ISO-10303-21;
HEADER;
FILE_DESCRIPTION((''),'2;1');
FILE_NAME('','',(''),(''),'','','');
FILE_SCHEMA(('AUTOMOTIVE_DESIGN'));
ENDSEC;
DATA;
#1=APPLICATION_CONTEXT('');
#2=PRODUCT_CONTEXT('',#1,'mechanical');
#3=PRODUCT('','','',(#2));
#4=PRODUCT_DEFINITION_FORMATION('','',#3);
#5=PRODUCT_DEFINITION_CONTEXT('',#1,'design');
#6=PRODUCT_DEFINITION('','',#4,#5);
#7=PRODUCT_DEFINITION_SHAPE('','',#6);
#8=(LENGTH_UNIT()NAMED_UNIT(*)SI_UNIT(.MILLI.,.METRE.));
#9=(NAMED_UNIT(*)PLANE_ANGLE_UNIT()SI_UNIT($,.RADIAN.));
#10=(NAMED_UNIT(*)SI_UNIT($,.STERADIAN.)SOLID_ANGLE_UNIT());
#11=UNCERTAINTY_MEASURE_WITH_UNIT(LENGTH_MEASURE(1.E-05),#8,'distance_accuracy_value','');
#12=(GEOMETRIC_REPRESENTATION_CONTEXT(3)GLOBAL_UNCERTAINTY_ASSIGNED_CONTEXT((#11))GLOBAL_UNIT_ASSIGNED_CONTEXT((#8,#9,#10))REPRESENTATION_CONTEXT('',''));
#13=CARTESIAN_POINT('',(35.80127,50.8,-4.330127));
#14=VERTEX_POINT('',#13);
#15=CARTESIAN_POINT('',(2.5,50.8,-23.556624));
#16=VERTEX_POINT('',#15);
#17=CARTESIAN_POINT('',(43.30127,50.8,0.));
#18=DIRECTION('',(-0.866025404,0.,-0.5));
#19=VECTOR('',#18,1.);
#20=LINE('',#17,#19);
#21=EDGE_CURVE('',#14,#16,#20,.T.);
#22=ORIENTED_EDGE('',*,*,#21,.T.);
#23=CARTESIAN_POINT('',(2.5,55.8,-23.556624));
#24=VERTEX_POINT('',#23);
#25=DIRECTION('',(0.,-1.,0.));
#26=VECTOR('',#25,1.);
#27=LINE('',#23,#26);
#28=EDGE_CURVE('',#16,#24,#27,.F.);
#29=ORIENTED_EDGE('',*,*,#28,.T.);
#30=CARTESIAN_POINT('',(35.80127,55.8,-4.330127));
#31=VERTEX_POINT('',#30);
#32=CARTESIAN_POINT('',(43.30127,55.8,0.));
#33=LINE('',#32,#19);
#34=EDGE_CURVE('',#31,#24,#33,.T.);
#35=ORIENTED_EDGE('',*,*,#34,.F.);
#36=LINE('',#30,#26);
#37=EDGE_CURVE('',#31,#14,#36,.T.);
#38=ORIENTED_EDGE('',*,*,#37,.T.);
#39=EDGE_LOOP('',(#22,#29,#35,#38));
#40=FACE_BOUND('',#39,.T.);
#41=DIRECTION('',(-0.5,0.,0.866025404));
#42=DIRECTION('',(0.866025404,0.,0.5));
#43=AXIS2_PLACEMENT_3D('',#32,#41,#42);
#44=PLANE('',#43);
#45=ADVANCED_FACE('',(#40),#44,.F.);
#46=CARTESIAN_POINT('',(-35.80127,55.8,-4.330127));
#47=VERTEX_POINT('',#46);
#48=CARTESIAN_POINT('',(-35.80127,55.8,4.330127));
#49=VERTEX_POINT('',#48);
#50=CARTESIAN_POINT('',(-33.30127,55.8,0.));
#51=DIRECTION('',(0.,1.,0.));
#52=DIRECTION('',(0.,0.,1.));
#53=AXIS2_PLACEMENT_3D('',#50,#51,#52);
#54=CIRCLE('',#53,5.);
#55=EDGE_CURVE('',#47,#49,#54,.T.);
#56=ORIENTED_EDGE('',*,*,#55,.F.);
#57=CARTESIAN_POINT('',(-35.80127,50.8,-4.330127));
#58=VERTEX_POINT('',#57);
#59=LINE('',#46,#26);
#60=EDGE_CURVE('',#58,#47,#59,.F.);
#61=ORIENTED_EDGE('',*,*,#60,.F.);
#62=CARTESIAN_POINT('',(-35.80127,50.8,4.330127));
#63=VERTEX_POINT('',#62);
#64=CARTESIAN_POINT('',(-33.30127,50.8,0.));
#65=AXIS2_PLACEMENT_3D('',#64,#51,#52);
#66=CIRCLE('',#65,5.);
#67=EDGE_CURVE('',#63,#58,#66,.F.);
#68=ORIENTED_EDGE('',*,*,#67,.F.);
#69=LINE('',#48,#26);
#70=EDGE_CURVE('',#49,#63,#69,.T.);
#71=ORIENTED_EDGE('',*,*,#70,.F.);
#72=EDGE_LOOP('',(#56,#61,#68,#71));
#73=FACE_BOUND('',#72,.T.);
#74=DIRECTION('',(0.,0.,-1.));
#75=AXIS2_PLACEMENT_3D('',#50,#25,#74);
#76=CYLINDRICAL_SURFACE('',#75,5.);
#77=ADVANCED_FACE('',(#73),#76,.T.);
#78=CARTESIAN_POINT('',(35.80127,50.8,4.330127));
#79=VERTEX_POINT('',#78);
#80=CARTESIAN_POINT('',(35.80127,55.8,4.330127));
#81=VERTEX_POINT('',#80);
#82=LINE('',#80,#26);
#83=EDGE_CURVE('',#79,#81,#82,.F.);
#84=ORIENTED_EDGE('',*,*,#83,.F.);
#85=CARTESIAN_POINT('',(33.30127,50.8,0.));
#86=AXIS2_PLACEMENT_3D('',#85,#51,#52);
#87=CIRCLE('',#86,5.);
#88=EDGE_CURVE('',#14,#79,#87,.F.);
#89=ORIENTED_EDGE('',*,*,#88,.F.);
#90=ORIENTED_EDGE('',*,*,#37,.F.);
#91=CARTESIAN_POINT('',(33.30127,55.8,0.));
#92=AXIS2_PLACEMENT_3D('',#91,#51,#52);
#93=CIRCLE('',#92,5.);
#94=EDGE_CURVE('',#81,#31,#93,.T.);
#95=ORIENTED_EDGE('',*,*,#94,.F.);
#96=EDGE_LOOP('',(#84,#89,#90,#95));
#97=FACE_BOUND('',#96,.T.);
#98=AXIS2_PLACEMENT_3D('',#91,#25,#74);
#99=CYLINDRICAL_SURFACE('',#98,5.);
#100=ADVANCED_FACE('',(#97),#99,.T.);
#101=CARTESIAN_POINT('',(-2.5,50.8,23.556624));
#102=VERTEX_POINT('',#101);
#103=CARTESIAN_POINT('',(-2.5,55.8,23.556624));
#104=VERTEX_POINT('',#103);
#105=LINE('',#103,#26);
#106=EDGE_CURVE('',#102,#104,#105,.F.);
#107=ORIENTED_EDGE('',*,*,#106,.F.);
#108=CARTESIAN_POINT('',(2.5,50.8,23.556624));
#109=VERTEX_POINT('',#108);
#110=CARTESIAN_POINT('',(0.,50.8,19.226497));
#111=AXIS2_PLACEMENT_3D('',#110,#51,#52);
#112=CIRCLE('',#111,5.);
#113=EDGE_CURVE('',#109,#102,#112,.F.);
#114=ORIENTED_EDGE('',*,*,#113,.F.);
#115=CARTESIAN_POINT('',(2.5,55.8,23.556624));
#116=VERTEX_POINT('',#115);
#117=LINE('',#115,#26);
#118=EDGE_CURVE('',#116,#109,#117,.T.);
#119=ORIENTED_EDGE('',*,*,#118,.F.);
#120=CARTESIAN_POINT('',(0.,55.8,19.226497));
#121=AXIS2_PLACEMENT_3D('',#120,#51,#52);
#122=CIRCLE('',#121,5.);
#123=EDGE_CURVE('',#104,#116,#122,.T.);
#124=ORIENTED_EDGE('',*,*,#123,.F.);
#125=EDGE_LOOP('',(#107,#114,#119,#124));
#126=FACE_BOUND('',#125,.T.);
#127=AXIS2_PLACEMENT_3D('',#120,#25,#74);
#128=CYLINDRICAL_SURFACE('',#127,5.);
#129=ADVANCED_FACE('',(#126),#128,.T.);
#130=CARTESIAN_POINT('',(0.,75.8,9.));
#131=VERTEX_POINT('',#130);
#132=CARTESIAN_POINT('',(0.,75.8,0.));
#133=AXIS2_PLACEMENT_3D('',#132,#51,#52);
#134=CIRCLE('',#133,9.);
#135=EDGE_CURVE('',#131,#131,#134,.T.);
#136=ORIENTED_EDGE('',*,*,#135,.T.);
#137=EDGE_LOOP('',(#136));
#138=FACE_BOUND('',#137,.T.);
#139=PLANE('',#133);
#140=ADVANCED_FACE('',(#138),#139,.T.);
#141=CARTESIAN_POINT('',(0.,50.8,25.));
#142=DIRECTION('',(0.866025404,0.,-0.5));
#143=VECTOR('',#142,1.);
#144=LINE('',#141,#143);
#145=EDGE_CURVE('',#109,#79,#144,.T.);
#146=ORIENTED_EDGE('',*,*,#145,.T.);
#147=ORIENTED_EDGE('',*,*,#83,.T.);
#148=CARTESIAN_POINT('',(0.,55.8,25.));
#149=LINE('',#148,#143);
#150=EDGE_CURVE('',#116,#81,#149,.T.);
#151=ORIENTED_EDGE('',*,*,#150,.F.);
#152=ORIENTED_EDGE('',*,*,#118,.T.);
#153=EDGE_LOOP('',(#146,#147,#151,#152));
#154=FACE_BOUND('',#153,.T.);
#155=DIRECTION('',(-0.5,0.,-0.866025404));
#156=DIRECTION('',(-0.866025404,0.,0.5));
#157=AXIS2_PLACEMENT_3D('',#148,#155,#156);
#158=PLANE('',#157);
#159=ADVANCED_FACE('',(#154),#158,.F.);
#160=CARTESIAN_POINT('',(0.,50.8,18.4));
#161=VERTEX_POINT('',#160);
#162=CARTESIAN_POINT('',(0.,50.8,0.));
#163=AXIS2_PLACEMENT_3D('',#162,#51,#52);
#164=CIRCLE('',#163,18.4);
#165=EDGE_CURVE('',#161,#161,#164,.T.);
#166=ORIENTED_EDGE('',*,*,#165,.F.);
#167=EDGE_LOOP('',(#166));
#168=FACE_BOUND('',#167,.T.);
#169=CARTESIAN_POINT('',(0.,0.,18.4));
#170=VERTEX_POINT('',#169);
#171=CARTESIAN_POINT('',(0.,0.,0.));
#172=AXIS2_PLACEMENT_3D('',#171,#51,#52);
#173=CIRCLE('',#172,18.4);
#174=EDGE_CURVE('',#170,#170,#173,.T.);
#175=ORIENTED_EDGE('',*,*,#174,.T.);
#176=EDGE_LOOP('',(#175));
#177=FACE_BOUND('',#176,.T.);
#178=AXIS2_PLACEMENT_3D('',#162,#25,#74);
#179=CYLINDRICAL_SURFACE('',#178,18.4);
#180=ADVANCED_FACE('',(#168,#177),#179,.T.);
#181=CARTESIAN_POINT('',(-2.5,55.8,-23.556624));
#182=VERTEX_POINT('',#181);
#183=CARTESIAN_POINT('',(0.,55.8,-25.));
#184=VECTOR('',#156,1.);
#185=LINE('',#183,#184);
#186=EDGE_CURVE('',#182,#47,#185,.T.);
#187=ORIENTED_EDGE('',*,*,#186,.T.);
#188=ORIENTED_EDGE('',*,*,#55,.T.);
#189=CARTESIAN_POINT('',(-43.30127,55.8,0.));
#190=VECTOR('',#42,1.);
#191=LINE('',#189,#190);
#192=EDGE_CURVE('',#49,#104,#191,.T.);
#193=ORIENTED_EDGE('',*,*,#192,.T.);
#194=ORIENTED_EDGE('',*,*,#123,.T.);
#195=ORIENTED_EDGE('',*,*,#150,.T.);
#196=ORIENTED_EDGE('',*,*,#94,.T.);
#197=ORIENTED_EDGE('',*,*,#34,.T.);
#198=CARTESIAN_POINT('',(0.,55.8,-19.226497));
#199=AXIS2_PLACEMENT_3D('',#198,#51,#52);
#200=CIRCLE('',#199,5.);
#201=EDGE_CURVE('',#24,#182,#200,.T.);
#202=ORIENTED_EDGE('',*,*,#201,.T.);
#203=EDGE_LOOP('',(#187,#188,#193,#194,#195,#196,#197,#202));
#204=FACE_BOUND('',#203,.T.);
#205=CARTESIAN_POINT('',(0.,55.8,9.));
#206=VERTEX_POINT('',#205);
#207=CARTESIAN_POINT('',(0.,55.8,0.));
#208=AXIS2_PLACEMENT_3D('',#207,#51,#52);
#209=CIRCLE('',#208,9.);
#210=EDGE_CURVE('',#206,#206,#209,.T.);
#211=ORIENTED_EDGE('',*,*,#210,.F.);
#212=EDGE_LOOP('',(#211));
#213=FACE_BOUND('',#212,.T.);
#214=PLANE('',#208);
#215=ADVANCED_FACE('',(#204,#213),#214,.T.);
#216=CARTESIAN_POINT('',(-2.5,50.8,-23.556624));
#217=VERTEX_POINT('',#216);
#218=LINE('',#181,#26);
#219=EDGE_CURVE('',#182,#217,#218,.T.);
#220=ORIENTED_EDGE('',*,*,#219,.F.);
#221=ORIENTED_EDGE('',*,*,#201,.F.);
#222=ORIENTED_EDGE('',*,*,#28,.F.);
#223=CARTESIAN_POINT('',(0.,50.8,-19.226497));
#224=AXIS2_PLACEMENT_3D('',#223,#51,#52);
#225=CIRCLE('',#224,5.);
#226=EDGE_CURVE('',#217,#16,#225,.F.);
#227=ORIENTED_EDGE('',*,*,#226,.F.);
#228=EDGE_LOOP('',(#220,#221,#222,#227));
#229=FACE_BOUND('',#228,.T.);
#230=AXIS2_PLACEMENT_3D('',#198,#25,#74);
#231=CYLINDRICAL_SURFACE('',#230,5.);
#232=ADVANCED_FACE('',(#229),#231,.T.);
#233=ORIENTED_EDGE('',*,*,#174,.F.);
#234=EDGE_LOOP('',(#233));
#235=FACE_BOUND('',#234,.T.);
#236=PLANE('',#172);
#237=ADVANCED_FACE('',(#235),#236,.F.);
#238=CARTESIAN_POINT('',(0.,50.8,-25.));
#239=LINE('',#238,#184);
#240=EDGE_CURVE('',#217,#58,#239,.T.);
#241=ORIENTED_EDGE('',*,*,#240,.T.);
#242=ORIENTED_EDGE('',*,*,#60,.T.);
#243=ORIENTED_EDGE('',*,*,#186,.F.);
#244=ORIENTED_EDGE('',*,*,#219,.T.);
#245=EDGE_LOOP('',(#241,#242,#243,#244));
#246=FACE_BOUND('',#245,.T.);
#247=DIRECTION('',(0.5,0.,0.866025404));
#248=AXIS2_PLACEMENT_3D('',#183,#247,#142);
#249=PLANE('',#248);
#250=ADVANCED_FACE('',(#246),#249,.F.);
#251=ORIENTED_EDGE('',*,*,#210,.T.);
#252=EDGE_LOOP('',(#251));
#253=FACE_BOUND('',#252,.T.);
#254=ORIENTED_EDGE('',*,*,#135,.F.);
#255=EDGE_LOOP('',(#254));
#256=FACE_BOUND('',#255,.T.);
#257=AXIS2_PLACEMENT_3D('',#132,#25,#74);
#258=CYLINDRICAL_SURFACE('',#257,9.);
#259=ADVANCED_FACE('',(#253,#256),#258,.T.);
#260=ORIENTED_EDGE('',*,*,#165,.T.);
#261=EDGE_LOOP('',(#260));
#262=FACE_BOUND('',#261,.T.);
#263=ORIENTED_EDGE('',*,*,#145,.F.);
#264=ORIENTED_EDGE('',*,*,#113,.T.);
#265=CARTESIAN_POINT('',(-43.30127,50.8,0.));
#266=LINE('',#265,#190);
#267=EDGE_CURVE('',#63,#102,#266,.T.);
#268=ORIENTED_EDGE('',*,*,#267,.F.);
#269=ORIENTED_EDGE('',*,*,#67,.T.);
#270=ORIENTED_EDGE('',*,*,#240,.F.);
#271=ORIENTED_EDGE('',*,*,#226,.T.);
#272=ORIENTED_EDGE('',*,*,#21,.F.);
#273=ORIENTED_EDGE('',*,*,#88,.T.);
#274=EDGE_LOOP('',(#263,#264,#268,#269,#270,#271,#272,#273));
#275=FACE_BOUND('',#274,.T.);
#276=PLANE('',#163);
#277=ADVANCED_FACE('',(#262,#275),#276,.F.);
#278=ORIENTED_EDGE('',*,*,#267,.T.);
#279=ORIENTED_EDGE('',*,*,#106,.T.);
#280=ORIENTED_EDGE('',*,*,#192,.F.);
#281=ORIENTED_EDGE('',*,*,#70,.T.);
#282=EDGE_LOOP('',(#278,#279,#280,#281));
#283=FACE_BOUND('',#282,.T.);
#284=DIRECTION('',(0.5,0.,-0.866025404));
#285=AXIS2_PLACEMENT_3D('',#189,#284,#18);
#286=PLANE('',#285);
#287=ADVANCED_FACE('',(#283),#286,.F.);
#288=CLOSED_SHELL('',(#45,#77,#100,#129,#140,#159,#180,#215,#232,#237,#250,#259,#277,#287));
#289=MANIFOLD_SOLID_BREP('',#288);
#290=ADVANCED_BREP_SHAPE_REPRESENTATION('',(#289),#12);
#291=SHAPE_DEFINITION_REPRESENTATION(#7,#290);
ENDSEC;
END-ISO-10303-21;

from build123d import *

# Parameters (mm, degrees)
SKETCH1_R           = 18.4
BOSS_EXTRUDE1_DEPTH = 50.8
BOSS_EXTRUDE2_DEPTH = 5
FILLET1_R           = 5
SKETCH3_R           = 9
BOSS_EXTRUDE3_DEPTH = 20


with BuildPart() as part:
    # Sketch1 → Boss-Extrude1 (new body)
    with BuildSketch(Plane(origin=(0, 0, 0), x_dir=(1, 0, 0), z_dir=(0, 1, 0))):
        Circle(SKETCH1_R)
    extrude(amount=BOSS_EXTRUDE1_DEPTH)

    # Sketch2 → Boss-Extrude2 (add)
    with BuildSketch(Plane(origin=(0, 50.8, 0), x_dir=(1, 0, 0), z_dir=(0, 1, 0))):
        Polygon((0, 25), (-43.301270189, 0), (0, -25), (43.301270189, 0), align=None)
    extrude(amount=BOSS_EXTRUDE2_DEPTH)

    # Fillet1
    fillet1_edges = [part.edges().sort_by_distance(p)[0] for p in [
        (43.301270189, 53.3, 0),
        (0, 53.3, -25),
        (-43.301270189, 53.3, 0),
        (0, 53.3, 25),
    ]]
    fillet(fillet1_edges, radius=FILLET1_R)

    # Sketch3 → Boss-Extrude3 (add)
    with BuildSketch(Plane(origin=(0, 55.8, 0), x_dir=(1, 0, 0), z_dir=(0, 1, 0))):
        Circle(SKETCH3_R)
    extrude(amount=BOSS_EXTRUDE3_DEPTH)


solid = part.part
